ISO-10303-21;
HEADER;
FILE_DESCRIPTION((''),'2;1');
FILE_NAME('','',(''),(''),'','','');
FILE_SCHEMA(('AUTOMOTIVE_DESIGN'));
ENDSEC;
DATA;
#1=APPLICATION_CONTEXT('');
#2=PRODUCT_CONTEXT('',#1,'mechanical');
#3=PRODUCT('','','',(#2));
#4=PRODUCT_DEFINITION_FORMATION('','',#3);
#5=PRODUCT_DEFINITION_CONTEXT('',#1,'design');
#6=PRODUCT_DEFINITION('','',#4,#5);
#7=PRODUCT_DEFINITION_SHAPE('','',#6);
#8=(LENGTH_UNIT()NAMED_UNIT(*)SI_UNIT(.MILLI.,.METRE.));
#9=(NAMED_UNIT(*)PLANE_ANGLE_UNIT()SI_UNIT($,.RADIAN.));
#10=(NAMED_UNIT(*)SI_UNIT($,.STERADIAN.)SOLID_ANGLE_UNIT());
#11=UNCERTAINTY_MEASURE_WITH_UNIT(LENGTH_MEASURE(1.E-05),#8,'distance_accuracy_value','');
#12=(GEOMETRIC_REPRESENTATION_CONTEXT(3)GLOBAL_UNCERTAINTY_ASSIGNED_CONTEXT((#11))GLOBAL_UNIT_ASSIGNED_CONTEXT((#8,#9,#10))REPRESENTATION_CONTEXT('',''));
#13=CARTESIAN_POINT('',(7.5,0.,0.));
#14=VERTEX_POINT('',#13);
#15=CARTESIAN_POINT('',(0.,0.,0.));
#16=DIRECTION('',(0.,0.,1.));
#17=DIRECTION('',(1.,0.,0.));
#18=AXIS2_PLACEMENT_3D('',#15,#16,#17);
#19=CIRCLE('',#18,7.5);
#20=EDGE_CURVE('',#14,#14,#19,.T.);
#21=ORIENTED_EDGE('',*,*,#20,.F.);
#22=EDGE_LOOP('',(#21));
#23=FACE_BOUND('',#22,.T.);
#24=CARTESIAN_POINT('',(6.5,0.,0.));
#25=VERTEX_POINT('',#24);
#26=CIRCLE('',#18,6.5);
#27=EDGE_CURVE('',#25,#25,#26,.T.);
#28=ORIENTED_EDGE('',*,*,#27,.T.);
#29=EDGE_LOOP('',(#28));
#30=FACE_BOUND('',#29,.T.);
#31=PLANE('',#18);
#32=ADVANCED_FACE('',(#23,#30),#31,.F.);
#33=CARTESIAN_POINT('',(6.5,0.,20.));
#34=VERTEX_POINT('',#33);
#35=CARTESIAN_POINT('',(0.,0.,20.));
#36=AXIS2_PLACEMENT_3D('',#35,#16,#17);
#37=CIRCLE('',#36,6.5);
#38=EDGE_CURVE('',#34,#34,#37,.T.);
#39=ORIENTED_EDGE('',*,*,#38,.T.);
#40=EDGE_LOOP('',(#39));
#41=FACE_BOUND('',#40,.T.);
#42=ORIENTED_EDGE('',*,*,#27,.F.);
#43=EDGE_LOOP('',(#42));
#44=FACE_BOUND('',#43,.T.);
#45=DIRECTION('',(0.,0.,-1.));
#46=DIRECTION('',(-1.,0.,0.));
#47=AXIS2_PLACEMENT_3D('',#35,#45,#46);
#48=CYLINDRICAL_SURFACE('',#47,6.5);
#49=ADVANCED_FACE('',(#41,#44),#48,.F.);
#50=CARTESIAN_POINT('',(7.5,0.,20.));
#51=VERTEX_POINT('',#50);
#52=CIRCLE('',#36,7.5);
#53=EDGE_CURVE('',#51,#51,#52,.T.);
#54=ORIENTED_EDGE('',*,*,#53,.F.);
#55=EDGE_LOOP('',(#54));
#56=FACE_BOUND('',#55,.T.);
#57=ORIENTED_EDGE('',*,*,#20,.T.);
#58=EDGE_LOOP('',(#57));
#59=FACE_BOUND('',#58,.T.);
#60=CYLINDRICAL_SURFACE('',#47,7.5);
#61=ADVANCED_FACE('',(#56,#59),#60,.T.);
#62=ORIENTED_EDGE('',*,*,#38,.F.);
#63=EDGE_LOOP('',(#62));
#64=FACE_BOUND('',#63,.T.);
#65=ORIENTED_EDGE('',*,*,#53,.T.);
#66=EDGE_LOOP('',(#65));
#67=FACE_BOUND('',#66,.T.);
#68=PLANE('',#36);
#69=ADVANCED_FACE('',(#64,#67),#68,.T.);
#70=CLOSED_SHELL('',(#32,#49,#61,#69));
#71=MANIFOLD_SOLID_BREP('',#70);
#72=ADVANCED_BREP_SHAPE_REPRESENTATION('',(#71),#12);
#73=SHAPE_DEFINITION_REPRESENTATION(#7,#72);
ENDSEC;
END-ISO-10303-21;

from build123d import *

# Parameters (mm, degrees)
ESBO_O1_R                = 7.5
ESBO_O1_R_2              = 6.5
RESSALTO_EXTRUS_O1_DEPTH = 20


with BuildPart() as part:
    # Esboço1 → Ressalto-extrusão1 (new body)
    with BuildSketch(Plane.XY):
        Circle(ESBO_O1_R)
        Circle(ESBO_O1_R_2, mode=Mode.SUBTRACT)
    extrude(amount=RESSALTO_EXTRUS_O1_DEPTH)


solid = part.part
